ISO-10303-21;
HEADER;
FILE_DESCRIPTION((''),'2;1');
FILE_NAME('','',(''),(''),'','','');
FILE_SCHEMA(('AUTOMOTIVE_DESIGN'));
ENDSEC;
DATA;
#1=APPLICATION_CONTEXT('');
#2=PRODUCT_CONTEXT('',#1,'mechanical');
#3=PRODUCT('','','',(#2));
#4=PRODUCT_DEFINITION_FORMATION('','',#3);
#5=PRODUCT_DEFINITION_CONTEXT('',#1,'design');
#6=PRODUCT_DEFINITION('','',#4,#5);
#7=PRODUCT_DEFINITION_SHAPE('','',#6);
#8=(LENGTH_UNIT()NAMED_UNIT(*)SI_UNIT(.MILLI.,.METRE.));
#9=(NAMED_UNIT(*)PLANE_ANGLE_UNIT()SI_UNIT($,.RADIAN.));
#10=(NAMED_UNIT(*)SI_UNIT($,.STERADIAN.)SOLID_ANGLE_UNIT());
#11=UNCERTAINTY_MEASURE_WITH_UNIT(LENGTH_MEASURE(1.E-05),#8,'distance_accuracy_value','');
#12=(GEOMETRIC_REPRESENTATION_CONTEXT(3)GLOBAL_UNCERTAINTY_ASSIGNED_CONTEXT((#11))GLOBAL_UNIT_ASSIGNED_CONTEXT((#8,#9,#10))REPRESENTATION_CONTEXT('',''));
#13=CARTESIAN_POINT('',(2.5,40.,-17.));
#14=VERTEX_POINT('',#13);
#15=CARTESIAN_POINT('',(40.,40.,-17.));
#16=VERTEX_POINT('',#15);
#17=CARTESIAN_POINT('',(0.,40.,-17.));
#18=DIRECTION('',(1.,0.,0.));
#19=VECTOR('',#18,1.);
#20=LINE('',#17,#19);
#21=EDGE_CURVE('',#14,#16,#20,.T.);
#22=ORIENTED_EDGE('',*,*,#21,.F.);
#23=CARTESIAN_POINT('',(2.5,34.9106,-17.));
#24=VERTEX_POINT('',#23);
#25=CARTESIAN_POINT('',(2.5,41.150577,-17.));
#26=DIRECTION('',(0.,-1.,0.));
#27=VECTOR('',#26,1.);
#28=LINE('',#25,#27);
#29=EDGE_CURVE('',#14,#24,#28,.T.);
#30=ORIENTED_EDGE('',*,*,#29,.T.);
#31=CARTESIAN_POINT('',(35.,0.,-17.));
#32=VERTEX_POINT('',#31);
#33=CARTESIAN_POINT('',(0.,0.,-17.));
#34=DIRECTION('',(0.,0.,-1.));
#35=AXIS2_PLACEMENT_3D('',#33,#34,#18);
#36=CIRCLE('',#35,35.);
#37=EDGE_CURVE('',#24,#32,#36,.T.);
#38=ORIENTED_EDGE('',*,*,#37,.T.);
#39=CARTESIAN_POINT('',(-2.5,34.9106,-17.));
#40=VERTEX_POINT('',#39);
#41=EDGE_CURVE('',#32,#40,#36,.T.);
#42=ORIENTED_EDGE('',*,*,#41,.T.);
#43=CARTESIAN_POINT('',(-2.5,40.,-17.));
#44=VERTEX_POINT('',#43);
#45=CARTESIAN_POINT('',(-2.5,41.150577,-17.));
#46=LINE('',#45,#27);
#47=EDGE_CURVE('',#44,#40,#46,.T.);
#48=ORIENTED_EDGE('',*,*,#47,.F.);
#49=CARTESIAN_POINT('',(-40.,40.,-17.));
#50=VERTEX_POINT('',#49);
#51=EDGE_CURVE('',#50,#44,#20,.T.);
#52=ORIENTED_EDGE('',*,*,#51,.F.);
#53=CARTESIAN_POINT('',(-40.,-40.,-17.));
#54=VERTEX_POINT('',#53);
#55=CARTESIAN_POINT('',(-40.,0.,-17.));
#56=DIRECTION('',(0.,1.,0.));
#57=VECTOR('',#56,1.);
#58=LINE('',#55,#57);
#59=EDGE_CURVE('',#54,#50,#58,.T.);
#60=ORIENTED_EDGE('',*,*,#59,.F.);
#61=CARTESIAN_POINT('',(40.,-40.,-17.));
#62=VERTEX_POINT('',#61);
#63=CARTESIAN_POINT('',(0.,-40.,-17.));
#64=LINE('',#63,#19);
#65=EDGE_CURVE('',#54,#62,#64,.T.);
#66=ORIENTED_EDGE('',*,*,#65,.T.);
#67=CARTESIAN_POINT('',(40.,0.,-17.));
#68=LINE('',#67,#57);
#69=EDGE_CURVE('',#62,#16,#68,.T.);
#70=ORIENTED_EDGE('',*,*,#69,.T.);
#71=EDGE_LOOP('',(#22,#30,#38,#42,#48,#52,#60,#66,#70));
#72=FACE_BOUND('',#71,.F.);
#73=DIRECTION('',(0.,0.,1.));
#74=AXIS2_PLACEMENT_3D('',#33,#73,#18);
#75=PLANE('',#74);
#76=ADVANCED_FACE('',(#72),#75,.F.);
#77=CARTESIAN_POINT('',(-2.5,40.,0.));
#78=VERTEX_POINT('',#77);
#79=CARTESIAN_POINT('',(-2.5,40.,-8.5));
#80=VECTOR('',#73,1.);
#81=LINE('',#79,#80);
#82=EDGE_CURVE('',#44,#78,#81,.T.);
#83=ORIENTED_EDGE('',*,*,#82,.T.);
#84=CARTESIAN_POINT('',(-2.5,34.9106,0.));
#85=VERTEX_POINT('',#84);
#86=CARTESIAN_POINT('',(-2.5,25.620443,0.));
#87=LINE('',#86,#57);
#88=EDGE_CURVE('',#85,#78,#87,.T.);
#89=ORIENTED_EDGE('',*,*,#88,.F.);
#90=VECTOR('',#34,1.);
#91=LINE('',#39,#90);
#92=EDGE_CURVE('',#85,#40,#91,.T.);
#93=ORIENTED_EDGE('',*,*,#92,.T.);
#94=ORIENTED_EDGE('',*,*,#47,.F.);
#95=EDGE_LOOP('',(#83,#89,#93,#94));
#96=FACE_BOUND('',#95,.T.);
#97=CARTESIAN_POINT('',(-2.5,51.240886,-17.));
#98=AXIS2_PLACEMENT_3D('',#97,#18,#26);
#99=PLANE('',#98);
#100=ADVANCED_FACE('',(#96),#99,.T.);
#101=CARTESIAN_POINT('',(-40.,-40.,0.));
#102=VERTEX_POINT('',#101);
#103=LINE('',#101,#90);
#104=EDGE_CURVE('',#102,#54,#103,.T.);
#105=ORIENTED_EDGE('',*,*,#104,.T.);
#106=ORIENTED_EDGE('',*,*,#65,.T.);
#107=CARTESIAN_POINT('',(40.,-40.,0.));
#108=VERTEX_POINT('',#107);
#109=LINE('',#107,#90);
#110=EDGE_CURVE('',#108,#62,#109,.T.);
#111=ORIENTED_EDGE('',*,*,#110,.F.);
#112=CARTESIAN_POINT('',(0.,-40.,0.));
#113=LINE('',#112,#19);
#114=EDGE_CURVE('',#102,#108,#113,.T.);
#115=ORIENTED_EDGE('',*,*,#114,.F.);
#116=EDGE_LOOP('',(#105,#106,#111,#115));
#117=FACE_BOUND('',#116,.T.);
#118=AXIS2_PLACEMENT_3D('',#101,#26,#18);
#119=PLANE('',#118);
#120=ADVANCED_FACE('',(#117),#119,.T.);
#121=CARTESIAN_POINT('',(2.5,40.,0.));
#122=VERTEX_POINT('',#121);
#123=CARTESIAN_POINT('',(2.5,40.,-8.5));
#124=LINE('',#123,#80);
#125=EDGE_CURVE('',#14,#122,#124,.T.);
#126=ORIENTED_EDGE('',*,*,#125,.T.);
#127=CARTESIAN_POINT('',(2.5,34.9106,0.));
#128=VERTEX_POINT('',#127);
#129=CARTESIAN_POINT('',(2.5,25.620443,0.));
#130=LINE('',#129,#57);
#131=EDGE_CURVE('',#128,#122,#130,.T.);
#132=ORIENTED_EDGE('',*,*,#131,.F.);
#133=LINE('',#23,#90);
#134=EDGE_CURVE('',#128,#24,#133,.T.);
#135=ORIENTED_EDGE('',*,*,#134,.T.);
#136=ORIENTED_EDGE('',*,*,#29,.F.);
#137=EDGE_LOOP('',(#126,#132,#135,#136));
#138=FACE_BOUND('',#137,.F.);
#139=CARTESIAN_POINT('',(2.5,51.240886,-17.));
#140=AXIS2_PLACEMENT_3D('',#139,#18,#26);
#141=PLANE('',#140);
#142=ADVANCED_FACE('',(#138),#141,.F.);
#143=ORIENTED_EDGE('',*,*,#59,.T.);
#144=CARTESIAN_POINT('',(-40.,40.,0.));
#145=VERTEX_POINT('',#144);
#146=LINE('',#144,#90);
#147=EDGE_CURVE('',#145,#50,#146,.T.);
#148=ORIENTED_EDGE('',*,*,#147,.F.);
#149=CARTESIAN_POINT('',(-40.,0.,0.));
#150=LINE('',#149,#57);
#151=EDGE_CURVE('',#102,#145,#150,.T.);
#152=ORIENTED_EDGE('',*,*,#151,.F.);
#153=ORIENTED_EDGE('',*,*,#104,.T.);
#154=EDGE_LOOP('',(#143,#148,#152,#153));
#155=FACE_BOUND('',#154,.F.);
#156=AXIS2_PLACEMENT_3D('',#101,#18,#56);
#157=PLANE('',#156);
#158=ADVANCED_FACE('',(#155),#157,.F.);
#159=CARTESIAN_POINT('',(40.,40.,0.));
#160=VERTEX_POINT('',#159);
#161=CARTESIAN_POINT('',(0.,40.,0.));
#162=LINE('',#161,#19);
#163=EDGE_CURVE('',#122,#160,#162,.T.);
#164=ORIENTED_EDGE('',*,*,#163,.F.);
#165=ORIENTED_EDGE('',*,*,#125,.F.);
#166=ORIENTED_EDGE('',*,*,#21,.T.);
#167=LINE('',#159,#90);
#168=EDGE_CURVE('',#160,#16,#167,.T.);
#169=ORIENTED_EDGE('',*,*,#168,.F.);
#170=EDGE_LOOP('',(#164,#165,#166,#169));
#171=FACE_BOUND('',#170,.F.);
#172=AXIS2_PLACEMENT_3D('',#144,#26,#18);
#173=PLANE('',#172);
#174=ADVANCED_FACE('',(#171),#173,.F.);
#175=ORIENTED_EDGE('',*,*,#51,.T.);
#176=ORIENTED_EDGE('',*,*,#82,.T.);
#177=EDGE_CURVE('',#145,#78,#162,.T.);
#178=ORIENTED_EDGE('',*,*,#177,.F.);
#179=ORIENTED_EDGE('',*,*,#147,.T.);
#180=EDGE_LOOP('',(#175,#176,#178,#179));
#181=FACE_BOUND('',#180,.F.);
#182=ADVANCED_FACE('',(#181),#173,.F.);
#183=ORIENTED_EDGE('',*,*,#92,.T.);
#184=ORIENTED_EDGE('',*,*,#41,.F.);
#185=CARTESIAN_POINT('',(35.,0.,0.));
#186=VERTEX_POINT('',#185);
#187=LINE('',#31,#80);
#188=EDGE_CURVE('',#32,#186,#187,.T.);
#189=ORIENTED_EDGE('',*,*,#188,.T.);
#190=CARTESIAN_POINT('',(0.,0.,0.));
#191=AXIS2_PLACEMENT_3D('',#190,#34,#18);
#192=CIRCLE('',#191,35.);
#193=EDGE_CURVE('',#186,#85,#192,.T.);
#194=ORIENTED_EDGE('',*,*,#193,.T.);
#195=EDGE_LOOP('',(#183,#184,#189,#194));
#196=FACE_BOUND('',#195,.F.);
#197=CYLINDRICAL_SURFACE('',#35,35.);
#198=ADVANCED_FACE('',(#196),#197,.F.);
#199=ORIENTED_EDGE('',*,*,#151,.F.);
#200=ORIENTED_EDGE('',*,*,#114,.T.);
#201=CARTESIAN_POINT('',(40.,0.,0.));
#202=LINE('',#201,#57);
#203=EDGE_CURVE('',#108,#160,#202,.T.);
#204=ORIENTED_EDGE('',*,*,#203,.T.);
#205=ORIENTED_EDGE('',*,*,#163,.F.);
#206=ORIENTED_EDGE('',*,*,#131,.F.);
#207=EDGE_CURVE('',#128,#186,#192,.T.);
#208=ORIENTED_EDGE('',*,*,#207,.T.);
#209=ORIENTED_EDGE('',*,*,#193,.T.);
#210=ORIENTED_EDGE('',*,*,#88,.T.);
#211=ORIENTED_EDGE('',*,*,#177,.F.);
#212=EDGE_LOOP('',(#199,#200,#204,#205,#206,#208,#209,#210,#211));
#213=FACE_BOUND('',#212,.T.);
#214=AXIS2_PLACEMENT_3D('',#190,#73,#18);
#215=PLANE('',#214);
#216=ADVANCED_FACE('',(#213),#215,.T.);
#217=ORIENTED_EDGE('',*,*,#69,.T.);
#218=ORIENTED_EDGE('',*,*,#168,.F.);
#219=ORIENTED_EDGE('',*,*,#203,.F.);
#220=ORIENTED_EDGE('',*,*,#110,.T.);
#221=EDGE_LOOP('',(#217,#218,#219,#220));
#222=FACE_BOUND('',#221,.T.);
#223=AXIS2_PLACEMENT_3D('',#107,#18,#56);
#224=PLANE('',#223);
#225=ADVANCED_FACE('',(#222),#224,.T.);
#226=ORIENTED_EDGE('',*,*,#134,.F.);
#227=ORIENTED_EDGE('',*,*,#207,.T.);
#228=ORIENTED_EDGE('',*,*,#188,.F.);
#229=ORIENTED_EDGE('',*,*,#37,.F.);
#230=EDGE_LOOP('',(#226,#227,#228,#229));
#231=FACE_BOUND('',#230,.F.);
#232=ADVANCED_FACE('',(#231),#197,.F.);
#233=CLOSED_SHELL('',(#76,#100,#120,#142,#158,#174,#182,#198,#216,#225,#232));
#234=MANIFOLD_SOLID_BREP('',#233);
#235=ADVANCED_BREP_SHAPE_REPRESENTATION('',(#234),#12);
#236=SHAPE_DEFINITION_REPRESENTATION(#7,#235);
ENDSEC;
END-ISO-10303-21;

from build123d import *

# Parameters (mm, degrees)
SKETCH040_W     = 80
SKETCH040_H     = 80
PAD013_DEPTH    = 17
SKETCH041_R     = 35
POCKET014_DEPTH = 20
SKETCH044_W     = 5
SKETCH044_H     = 20.180618
POCKET017_DEPTH = 24


with BuildPart() as part:
    # Sketch040 → Pad013 (new body)
    with BuildSketch(Plane.XY):
        Rectangle(SKETCH040_W, SKETCH040_H)
    extrude(amount=-PAD013_DEPTH)

    # Sketch041 (on Face6 of Pad013) → Pocket014 (cut)
    with BuildSketch(Plane(origin=(0, 0, -17), x_dir=(1, 0, 0), z_dir=(0, 0, -1))):
        Circle(SKETCH041_R)
    extrude(amount=-POCKET014_DEPTH, mode=Mode.SUBTRACT)

    # Sketch044 (on Face5 of Pocket014) → Pocket017 (cut)
    with BuildSketch(Plane(origin=(0, 0, -17), x_dir=(1, 0, 0), z_dir=(0, 0, -1))):
        with Locations((0, -41.150577)):
            Rectangle(SKETCH044_W, SKETCH044_H)
    extrude(amount=-POCKET017_DEPTH, mode=Mode.SUBTRACT)


solid = part.part
